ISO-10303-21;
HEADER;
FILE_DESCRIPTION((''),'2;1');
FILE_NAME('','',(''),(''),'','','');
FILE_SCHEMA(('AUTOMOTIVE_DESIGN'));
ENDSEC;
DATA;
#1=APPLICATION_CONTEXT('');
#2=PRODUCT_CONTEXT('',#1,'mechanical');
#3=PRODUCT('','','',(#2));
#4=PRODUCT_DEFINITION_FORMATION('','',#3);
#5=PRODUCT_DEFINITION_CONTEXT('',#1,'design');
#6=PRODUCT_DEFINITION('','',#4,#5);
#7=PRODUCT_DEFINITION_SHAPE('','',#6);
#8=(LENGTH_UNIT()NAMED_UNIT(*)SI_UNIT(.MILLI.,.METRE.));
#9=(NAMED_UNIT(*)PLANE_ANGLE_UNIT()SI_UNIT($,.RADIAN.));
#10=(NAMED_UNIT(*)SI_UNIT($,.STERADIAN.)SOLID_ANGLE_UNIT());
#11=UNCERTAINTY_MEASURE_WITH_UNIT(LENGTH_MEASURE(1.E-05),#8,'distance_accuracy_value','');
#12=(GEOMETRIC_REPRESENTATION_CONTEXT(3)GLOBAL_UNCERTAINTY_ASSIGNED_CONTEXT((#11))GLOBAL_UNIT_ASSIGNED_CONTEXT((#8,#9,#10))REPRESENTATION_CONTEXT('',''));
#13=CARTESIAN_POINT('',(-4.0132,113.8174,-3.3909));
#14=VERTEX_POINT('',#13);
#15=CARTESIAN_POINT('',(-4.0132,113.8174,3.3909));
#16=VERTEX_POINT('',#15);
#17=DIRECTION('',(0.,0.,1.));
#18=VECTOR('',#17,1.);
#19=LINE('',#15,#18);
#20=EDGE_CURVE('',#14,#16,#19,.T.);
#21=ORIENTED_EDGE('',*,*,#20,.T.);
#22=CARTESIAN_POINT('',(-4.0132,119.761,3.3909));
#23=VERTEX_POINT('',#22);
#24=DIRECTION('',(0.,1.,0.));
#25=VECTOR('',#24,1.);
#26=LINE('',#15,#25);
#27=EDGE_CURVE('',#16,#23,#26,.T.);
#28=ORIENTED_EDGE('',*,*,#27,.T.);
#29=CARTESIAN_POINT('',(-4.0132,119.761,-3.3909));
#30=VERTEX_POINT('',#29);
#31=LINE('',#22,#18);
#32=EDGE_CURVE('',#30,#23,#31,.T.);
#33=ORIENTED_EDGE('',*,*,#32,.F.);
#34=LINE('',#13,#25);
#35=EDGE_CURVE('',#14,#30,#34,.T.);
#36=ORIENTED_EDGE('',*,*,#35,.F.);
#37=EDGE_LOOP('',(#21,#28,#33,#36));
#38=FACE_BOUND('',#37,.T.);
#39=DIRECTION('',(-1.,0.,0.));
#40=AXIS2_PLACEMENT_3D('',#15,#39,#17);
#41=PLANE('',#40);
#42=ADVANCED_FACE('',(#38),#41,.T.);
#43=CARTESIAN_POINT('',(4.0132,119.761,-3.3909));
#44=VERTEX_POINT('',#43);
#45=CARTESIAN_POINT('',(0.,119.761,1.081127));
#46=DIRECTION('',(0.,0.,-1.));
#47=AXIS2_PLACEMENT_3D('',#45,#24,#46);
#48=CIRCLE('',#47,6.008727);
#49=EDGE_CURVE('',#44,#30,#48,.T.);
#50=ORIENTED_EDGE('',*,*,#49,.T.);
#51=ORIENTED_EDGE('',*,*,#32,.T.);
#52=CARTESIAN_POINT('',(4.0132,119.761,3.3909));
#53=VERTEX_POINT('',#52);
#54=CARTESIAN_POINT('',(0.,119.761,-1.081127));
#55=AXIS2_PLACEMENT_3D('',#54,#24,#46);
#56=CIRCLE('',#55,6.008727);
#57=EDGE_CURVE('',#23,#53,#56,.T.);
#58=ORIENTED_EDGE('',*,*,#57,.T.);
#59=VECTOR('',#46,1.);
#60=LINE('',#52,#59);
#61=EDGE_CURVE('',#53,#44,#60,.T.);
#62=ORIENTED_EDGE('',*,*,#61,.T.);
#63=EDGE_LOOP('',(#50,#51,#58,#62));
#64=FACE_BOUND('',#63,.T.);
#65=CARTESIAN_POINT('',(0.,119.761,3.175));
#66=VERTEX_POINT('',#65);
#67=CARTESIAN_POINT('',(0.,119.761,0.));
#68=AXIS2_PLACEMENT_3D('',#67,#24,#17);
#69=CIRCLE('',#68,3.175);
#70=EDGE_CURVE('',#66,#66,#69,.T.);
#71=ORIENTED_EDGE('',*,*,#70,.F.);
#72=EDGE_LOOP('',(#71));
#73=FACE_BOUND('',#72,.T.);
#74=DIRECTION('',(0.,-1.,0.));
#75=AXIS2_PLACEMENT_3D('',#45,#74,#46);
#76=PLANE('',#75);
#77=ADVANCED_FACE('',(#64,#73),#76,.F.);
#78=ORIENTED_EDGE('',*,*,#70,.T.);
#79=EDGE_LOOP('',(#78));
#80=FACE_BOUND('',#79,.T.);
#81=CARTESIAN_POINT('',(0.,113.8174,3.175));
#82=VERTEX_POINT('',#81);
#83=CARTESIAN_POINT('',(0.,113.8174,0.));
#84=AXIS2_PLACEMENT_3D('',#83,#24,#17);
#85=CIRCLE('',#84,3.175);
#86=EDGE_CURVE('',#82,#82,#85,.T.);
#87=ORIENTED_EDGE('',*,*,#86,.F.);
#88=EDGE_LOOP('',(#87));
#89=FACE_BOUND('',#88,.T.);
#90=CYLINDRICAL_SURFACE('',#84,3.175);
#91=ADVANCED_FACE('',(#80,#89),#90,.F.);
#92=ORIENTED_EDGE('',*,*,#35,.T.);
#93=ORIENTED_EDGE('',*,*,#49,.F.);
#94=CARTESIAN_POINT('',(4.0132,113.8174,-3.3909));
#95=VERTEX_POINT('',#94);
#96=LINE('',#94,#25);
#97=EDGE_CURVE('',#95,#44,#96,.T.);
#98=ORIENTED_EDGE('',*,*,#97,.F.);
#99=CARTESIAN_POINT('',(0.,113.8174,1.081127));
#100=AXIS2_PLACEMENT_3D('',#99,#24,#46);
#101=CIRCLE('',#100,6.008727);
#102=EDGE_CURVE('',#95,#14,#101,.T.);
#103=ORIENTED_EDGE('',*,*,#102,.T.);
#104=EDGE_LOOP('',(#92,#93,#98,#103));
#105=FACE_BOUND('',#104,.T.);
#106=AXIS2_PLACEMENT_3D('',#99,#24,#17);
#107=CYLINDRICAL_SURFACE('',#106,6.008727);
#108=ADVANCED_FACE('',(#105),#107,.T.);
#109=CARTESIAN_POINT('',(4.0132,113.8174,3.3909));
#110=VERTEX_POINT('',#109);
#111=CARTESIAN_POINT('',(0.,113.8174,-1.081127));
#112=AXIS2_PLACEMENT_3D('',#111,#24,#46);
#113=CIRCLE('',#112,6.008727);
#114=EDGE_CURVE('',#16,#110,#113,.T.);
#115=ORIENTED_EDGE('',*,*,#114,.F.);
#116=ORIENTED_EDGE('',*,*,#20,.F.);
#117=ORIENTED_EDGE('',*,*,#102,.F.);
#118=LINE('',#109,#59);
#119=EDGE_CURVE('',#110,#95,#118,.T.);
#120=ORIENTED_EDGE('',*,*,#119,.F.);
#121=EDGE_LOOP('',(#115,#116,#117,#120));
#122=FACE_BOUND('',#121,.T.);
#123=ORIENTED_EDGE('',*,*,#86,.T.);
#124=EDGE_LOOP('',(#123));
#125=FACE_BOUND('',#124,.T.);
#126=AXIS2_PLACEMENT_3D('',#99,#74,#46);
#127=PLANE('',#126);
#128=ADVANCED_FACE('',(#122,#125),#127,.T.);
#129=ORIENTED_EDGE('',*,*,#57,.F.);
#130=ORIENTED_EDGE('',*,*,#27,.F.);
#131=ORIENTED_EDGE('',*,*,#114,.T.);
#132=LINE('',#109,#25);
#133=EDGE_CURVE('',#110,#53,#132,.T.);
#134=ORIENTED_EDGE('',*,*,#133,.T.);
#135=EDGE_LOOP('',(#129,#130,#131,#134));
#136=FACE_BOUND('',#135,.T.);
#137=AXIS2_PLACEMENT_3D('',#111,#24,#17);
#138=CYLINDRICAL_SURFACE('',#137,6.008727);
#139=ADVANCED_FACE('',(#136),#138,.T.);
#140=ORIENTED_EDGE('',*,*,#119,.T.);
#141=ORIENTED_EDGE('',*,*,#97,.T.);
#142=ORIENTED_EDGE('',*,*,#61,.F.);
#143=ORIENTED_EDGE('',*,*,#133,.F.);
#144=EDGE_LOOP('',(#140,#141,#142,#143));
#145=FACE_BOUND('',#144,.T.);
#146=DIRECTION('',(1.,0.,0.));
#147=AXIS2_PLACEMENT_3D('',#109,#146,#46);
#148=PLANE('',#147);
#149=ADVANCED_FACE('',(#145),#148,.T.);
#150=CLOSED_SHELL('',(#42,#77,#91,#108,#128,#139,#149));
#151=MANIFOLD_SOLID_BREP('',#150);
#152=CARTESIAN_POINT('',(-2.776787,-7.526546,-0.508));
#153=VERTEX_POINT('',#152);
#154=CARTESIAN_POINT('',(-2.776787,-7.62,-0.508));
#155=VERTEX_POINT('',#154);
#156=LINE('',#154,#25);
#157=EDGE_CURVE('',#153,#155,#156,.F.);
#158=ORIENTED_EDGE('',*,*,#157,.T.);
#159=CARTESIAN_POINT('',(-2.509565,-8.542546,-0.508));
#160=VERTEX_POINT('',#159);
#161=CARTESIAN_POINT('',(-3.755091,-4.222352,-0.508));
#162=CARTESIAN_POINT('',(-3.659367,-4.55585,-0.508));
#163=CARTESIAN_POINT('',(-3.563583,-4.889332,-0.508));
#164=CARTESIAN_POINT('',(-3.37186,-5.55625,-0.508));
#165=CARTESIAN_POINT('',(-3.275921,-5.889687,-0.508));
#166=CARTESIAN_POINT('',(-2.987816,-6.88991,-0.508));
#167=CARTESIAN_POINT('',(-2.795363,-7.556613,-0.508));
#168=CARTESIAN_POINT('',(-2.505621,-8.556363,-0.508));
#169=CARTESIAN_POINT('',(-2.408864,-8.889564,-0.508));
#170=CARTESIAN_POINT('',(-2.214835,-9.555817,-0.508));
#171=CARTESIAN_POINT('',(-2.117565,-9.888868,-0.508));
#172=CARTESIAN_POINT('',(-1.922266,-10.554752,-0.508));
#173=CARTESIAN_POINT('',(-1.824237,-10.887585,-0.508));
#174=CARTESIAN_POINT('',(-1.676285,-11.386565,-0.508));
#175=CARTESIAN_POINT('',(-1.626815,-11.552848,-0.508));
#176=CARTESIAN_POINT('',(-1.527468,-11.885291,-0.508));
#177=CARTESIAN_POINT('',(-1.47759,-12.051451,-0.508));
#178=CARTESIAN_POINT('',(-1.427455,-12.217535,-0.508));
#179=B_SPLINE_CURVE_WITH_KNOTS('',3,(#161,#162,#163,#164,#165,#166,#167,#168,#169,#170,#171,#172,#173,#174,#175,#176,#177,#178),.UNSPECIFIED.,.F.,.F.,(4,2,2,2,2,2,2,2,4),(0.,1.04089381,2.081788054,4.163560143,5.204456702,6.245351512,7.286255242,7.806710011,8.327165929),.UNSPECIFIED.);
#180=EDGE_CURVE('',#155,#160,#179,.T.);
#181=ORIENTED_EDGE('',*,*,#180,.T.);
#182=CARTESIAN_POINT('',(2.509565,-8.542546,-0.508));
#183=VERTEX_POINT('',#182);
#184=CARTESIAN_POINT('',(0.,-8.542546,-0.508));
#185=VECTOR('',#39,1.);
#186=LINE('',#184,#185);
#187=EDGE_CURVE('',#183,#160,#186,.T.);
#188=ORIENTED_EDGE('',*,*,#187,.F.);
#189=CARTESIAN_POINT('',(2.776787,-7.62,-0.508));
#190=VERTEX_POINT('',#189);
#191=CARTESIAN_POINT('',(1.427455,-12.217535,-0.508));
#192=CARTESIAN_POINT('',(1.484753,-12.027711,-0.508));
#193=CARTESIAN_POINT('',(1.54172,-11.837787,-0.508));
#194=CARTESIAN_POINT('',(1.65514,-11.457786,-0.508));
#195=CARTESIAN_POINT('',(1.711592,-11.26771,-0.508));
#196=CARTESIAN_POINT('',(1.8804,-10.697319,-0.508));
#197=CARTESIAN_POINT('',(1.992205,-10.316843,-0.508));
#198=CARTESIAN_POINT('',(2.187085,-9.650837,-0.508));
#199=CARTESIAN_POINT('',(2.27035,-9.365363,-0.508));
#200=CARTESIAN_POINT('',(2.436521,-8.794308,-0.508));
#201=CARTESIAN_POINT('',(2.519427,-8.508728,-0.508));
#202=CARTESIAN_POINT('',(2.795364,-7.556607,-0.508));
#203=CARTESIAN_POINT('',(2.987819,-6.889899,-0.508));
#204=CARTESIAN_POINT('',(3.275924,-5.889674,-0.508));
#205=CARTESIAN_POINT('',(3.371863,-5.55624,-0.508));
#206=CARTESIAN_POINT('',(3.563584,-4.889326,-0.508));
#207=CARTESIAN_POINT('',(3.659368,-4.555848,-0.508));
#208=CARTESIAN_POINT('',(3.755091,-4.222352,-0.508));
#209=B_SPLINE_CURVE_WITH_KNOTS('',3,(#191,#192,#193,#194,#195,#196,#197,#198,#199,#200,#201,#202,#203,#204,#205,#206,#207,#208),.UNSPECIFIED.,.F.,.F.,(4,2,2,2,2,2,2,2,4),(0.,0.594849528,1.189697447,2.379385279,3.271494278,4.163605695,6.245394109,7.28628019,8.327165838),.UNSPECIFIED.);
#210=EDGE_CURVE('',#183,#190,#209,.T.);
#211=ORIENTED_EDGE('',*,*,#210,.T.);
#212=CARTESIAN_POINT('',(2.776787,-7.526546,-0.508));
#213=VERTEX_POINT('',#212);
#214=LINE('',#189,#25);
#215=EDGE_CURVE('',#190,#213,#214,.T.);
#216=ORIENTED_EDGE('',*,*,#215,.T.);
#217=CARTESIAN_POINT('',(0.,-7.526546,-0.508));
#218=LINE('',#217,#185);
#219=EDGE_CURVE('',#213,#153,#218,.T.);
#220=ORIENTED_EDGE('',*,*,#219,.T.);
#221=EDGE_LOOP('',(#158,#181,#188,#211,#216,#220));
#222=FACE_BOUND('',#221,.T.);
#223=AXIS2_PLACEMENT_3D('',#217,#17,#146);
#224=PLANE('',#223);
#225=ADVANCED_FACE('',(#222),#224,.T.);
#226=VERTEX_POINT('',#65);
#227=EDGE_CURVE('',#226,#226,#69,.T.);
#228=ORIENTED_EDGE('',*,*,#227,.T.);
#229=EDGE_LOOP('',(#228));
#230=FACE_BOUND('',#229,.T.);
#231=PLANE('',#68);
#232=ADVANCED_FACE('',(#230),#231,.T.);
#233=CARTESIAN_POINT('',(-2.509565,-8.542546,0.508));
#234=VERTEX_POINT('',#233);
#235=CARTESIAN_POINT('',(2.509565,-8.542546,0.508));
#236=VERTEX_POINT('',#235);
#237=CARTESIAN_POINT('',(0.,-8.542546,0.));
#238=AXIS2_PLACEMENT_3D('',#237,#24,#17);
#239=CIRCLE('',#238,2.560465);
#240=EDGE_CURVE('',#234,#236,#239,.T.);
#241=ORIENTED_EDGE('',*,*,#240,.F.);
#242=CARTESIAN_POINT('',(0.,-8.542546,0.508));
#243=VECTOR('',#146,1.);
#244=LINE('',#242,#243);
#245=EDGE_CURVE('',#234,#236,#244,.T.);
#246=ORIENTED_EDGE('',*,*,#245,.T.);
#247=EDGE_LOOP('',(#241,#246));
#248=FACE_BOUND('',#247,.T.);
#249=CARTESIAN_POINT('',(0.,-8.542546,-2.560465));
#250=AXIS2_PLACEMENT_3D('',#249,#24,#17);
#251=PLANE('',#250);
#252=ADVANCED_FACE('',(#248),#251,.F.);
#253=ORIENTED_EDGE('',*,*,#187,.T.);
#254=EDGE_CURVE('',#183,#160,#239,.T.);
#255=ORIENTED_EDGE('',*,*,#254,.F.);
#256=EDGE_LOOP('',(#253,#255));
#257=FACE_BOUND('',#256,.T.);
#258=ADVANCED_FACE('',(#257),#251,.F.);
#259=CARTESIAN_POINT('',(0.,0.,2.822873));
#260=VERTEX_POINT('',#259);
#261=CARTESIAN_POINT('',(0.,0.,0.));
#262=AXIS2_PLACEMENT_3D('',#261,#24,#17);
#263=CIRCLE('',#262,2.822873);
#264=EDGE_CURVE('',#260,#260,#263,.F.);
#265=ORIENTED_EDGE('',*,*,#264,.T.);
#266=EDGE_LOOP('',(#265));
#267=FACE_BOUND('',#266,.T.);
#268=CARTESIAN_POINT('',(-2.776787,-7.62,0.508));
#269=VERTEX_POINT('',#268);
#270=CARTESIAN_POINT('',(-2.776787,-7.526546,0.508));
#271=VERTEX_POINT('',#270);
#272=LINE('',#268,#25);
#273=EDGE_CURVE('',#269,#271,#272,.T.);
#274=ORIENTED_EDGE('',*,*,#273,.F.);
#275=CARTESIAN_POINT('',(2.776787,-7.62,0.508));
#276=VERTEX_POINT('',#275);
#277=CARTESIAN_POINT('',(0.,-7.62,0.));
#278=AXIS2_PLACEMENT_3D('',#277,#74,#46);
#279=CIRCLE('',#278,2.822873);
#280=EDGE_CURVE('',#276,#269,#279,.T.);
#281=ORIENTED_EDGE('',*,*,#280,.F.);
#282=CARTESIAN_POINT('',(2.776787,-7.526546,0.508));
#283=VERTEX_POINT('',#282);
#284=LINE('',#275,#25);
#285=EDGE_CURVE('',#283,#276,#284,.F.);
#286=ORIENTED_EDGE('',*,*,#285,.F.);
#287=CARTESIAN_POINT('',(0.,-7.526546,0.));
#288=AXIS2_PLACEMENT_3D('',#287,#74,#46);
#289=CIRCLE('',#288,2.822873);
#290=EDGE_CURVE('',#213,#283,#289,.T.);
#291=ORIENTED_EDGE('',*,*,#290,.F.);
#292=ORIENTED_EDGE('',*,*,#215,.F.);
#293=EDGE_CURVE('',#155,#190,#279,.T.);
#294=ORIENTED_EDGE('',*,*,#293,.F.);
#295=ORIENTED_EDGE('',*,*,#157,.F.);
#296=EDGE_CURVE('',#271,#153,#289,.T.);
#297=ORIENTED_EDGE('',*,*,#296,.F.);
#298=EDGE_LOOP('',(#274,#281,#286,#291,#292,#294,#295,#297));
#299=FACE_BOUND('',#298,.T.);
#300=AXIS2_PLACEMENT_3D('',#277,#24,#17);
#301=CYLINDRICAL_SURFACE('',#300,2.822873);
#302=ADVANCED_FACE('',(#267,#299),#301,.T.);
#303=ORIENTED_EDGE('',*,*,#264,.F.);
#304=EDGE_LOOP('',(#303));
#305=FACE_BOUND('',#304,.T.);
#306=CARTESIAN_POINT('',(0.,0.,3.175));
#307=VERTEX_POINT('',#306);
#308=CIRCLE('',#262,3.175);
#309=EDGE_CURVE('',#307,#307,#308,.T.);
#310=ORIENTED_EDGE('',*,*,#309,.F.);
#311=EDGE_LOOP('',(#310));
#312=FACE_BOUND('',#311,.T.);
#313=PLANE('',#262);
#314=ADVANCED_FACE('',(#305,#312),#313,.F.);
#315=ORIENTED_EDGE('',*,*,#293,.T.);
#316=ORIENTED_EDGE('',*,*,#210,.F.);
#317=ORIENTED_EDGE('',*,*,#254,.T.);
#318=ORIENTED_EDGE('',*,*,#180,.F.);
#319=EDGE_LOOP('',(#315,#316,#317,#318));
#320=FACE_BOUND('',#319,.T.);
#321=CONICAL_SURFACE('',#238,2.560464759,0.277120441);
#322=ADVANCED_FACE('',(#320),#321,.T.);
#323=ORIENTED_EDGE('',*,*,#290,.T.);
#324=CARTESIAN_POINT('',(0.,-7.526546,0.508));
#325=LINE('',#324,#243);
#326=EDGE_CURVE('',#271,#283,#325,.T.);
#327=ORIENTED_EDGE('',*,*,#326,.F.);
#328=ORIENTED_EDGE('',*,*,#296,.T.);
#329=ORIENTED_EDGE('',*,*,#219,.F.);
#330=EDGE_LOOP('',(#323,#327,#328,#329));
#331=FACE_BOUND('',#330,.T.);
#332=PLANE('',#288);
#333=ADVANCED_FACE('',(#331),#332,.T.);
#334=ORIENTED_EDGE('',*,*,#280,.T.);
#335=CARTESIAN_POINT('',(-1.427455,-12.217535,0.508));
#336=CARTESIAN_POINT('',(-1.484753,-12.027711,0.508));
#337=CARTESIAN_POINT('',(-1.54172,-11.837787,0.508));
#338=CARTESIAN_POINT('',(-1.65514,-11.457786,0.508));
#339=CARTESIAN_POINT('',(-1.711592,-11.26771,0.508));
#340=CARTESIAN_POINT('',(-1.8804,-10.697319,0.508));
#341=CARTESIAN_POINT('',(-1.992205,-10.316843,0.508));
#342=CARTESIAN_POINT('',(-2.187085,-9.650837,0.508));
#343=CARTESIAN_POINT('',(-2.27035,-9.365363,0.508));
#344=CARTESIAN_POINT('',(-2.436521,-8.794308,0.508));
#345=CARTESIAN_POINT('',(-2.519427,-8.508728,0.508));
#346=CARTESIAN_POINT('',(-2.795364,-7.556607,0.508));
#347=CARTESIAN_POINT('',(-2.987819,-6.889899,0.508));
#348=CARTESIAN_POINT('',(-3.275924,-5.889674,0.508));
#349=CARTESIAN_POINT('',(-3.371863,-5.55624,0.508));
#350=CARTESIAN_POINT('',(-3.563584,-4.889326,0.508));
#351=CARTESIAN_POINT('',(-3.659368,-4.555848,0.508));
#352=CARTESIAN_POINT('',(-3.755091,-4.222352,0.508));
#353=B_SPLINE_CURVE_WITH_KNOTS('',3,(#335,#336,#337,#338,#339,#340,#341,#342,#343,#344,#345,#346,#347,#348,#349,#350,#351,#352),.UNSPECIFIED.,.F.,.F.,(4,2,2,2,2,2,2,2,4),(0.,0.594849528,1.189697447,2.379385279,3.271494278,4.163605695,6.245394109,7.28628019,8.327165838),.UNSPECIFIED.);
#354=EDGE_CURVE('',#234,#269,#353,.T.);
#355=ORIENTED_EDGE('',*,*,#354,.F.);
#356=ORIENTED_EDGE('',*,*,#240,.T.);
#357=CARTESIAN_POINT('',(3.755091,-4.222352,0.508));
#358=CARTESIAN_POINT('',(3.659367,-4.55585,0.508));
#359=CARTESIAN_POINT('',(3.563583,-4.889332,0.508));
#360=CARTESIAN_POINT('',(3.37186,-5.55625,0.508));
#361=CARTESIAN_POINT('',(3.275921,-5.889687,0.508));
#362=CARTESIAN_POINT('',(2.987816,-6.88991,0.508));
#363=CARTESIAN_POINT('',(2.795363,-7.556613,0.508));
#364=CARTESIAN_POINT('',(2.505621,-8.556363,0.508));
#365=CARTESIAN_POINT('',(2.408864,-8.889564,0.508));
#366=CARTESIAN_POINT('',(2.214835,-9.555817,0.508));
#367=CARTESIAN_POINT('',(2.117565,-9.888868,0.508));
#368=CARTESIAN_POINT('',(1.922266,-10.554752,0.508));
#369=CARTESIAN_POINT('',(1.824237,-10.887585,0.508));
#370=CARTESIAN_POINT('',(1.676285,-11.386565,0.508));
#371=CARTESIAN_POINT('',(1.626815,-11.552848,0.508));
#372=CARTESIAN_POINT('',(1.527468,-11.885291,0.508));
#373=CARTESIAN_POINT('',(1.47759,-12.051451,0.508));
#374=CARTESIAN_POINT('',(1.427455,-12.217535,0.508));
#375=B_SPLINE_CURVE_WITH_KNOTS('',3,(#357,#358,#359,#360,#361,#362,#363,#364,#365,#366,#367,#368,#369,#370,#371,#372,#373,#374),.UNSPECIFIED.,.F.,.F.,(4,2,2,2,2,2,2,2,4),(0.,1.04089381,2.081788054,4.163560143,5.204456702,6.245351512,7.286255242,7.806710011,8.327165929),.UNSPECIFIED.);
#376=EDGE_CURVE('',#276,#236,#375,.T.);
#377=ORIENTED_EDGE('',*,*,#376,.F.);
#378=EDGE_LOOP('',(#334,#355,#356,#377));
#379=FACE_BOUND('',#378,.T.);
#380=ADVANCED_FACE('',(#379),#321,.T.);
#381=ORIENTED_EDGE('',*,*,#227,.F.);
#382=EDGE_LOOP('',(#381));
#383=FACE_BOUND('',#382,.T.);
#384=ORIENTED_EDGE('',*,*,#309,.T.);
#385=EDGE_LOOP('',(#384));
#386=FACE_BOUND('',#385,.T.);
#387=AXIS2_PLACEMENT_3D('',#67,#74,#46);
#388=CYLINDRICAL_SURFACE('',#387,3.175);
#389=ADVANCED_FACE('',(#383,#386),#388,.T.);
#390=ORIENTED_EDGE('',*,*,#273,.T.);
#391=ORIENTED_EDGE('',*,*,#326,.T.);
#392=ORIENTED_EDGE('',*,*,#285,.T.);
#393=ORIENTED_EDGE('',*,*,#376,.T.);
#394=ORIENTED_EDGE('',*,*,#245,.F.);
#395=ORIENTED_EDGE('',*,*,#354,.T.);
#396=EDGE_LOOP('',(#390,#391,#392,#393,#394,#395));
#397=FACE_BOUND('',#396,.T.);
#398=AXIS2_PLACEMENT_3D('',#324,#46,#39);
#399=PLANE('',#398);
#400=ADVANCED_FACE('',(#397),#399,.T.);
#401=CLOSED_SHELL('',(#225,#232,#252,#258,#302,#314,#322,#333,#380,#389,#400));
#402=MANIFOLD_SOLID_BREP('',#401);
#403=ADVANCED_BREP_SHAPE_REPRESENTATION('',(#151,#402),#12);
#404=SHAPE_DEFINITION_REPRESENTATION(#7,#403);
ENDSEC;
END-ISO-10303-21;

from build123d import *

# Parameters (mm, degrees)
SKETCH1_R           = 3.175
BOSS_EXTRUDE1_DEPTH = 119.761
SKETCH2_R           = 2.822872997
BOSS_EXTRUDE5_DEPTH = 7.62
CUT_EXTRUDE1_DEPTH  = 1.016
SKETCH12_R          = 3.175
BOSS_EXTRUDE6_DEPTH = 5.9436


with BuildPart() as part:
    # Sketch1 → Boss-Extrude1 (new body)
    with BuildSketch(Plane(origin=(0, 0, 0), x_dir=(1, 0, 0), z_dir=(0, 1, 0))):
        Circle(SKETCH1_R)
    extrude(amount=BOSS_EXTRUDE1_DEPTH)

    # Sketch2 → Boss-Extrude5 (add)
    with BuildSketch(Plane.XZ):
        Circle(SKETCH2_R)
    extrude(amount=BOSS_EXTRUDE5_DEPTH)

    # Sketch10 → Revolve1 (revolve)
    with BuildSketch(Plane(origin=(0, 0, 0), x_dir=(0, 0, -1), z_dir=(1, 0, 0))):
        Polygon((2.822872997, -7.62), (2.560464759, -8.542545863), (0, -8.542545863), (0, -7.62), align=None)
    revolve(axis=Axis((0, 0, 0), (0, -1, 0)))

    # Sketch11 → Cut-Extrude1 (cut)
    with BuildSketch(Plane.XZ.offset(8.542545863)):
        with BuildLine():
            Line((2.509564859, 0.508), (0, 0.508))
            Line((0, 0.508), (0, -0.508))
            Line((0, -0.508), (2.509564859, -0.508))
            ThreePointArc((2.509564859, -0.508), (2.547708005, -0.255271816), (2.560464759, 0))
            ThreePointArc((2.560464759, 0), (2.547708005, 0.255271816), (2.509564859, 0.508))
        make_face()
        with BuildLine():
            Line((0, -0.508), (0, 0.508))
            Line((0, 0.508), (-2.509564859, 0.508))
            ThreePointArc((-2.509564859, 0.508), (-2.560464759, 0), (-2.509564859, -0.508))
            Line((-2.509564859, -0.508), (0, -0.508))
        make_face()
        with BuildLine():
            ThreePointArc((-2.509564859, -0.508), (-2.560464759, 0), (-2.509564859, 0.508))
            Line((-2.509564859, 0.508), (-2.854276167, 0.508))
            Line((-2.854276167, 0.508), (-2.854276167, -0.508))
            Line((-2.854276167, -0.508), (-2.509564859, -0.508))
        make_face()
        with BuildLine():
            Line((2.854276167, 0.508), (2.509564859, 0.508))
            ThreePointArc((2.509564859, 0.508), (2.547708005, 0.255271816), (2.560464759, 0))
            ThreePointArc((2.560464759, 0), (2.547708005, -0.255271816), (2.509564859, -0.508))
            Line((2.509564859, -0.508), (2.854276167, -0.508))
            Line((2.854276167, -0.508), (2.854276167, 0.508))
        make_face()
    extrude(amount=-CUT_EXTRUDE1_DEPTH, mode=Mode.SUBTRACT)


with BuildPart() as body_2:
    # Sketch12 → Boss-Extrude6 (new body)
    with BuildSketch(Plane(origin=(0, 119.761, 0), x_dir=(1, 0, 0), z_dir=(0, 1, 0))):
        with BuildLine():
            Line((-4.0132, -3.3909), (-4.0132, 3.3909))
            ThreePointArc((-4.0132, 3.3909), (0, 4.9276), (4.0132, 3.3909))
            Line((4.0132, 3.3909), (4.0132, -3.3909))
            ThreePointArc((4.0132, -3.3909), (0, -4.9276), (-4.0132, -3.3909))
        make_face()
        Circle(SKETCH12_R, mode=Mode.SUBTRACT)
    extrude(amount=-BOSS_EXTRUDE6_DEPTH)


solid = Compound([part.part, body_2.part])
